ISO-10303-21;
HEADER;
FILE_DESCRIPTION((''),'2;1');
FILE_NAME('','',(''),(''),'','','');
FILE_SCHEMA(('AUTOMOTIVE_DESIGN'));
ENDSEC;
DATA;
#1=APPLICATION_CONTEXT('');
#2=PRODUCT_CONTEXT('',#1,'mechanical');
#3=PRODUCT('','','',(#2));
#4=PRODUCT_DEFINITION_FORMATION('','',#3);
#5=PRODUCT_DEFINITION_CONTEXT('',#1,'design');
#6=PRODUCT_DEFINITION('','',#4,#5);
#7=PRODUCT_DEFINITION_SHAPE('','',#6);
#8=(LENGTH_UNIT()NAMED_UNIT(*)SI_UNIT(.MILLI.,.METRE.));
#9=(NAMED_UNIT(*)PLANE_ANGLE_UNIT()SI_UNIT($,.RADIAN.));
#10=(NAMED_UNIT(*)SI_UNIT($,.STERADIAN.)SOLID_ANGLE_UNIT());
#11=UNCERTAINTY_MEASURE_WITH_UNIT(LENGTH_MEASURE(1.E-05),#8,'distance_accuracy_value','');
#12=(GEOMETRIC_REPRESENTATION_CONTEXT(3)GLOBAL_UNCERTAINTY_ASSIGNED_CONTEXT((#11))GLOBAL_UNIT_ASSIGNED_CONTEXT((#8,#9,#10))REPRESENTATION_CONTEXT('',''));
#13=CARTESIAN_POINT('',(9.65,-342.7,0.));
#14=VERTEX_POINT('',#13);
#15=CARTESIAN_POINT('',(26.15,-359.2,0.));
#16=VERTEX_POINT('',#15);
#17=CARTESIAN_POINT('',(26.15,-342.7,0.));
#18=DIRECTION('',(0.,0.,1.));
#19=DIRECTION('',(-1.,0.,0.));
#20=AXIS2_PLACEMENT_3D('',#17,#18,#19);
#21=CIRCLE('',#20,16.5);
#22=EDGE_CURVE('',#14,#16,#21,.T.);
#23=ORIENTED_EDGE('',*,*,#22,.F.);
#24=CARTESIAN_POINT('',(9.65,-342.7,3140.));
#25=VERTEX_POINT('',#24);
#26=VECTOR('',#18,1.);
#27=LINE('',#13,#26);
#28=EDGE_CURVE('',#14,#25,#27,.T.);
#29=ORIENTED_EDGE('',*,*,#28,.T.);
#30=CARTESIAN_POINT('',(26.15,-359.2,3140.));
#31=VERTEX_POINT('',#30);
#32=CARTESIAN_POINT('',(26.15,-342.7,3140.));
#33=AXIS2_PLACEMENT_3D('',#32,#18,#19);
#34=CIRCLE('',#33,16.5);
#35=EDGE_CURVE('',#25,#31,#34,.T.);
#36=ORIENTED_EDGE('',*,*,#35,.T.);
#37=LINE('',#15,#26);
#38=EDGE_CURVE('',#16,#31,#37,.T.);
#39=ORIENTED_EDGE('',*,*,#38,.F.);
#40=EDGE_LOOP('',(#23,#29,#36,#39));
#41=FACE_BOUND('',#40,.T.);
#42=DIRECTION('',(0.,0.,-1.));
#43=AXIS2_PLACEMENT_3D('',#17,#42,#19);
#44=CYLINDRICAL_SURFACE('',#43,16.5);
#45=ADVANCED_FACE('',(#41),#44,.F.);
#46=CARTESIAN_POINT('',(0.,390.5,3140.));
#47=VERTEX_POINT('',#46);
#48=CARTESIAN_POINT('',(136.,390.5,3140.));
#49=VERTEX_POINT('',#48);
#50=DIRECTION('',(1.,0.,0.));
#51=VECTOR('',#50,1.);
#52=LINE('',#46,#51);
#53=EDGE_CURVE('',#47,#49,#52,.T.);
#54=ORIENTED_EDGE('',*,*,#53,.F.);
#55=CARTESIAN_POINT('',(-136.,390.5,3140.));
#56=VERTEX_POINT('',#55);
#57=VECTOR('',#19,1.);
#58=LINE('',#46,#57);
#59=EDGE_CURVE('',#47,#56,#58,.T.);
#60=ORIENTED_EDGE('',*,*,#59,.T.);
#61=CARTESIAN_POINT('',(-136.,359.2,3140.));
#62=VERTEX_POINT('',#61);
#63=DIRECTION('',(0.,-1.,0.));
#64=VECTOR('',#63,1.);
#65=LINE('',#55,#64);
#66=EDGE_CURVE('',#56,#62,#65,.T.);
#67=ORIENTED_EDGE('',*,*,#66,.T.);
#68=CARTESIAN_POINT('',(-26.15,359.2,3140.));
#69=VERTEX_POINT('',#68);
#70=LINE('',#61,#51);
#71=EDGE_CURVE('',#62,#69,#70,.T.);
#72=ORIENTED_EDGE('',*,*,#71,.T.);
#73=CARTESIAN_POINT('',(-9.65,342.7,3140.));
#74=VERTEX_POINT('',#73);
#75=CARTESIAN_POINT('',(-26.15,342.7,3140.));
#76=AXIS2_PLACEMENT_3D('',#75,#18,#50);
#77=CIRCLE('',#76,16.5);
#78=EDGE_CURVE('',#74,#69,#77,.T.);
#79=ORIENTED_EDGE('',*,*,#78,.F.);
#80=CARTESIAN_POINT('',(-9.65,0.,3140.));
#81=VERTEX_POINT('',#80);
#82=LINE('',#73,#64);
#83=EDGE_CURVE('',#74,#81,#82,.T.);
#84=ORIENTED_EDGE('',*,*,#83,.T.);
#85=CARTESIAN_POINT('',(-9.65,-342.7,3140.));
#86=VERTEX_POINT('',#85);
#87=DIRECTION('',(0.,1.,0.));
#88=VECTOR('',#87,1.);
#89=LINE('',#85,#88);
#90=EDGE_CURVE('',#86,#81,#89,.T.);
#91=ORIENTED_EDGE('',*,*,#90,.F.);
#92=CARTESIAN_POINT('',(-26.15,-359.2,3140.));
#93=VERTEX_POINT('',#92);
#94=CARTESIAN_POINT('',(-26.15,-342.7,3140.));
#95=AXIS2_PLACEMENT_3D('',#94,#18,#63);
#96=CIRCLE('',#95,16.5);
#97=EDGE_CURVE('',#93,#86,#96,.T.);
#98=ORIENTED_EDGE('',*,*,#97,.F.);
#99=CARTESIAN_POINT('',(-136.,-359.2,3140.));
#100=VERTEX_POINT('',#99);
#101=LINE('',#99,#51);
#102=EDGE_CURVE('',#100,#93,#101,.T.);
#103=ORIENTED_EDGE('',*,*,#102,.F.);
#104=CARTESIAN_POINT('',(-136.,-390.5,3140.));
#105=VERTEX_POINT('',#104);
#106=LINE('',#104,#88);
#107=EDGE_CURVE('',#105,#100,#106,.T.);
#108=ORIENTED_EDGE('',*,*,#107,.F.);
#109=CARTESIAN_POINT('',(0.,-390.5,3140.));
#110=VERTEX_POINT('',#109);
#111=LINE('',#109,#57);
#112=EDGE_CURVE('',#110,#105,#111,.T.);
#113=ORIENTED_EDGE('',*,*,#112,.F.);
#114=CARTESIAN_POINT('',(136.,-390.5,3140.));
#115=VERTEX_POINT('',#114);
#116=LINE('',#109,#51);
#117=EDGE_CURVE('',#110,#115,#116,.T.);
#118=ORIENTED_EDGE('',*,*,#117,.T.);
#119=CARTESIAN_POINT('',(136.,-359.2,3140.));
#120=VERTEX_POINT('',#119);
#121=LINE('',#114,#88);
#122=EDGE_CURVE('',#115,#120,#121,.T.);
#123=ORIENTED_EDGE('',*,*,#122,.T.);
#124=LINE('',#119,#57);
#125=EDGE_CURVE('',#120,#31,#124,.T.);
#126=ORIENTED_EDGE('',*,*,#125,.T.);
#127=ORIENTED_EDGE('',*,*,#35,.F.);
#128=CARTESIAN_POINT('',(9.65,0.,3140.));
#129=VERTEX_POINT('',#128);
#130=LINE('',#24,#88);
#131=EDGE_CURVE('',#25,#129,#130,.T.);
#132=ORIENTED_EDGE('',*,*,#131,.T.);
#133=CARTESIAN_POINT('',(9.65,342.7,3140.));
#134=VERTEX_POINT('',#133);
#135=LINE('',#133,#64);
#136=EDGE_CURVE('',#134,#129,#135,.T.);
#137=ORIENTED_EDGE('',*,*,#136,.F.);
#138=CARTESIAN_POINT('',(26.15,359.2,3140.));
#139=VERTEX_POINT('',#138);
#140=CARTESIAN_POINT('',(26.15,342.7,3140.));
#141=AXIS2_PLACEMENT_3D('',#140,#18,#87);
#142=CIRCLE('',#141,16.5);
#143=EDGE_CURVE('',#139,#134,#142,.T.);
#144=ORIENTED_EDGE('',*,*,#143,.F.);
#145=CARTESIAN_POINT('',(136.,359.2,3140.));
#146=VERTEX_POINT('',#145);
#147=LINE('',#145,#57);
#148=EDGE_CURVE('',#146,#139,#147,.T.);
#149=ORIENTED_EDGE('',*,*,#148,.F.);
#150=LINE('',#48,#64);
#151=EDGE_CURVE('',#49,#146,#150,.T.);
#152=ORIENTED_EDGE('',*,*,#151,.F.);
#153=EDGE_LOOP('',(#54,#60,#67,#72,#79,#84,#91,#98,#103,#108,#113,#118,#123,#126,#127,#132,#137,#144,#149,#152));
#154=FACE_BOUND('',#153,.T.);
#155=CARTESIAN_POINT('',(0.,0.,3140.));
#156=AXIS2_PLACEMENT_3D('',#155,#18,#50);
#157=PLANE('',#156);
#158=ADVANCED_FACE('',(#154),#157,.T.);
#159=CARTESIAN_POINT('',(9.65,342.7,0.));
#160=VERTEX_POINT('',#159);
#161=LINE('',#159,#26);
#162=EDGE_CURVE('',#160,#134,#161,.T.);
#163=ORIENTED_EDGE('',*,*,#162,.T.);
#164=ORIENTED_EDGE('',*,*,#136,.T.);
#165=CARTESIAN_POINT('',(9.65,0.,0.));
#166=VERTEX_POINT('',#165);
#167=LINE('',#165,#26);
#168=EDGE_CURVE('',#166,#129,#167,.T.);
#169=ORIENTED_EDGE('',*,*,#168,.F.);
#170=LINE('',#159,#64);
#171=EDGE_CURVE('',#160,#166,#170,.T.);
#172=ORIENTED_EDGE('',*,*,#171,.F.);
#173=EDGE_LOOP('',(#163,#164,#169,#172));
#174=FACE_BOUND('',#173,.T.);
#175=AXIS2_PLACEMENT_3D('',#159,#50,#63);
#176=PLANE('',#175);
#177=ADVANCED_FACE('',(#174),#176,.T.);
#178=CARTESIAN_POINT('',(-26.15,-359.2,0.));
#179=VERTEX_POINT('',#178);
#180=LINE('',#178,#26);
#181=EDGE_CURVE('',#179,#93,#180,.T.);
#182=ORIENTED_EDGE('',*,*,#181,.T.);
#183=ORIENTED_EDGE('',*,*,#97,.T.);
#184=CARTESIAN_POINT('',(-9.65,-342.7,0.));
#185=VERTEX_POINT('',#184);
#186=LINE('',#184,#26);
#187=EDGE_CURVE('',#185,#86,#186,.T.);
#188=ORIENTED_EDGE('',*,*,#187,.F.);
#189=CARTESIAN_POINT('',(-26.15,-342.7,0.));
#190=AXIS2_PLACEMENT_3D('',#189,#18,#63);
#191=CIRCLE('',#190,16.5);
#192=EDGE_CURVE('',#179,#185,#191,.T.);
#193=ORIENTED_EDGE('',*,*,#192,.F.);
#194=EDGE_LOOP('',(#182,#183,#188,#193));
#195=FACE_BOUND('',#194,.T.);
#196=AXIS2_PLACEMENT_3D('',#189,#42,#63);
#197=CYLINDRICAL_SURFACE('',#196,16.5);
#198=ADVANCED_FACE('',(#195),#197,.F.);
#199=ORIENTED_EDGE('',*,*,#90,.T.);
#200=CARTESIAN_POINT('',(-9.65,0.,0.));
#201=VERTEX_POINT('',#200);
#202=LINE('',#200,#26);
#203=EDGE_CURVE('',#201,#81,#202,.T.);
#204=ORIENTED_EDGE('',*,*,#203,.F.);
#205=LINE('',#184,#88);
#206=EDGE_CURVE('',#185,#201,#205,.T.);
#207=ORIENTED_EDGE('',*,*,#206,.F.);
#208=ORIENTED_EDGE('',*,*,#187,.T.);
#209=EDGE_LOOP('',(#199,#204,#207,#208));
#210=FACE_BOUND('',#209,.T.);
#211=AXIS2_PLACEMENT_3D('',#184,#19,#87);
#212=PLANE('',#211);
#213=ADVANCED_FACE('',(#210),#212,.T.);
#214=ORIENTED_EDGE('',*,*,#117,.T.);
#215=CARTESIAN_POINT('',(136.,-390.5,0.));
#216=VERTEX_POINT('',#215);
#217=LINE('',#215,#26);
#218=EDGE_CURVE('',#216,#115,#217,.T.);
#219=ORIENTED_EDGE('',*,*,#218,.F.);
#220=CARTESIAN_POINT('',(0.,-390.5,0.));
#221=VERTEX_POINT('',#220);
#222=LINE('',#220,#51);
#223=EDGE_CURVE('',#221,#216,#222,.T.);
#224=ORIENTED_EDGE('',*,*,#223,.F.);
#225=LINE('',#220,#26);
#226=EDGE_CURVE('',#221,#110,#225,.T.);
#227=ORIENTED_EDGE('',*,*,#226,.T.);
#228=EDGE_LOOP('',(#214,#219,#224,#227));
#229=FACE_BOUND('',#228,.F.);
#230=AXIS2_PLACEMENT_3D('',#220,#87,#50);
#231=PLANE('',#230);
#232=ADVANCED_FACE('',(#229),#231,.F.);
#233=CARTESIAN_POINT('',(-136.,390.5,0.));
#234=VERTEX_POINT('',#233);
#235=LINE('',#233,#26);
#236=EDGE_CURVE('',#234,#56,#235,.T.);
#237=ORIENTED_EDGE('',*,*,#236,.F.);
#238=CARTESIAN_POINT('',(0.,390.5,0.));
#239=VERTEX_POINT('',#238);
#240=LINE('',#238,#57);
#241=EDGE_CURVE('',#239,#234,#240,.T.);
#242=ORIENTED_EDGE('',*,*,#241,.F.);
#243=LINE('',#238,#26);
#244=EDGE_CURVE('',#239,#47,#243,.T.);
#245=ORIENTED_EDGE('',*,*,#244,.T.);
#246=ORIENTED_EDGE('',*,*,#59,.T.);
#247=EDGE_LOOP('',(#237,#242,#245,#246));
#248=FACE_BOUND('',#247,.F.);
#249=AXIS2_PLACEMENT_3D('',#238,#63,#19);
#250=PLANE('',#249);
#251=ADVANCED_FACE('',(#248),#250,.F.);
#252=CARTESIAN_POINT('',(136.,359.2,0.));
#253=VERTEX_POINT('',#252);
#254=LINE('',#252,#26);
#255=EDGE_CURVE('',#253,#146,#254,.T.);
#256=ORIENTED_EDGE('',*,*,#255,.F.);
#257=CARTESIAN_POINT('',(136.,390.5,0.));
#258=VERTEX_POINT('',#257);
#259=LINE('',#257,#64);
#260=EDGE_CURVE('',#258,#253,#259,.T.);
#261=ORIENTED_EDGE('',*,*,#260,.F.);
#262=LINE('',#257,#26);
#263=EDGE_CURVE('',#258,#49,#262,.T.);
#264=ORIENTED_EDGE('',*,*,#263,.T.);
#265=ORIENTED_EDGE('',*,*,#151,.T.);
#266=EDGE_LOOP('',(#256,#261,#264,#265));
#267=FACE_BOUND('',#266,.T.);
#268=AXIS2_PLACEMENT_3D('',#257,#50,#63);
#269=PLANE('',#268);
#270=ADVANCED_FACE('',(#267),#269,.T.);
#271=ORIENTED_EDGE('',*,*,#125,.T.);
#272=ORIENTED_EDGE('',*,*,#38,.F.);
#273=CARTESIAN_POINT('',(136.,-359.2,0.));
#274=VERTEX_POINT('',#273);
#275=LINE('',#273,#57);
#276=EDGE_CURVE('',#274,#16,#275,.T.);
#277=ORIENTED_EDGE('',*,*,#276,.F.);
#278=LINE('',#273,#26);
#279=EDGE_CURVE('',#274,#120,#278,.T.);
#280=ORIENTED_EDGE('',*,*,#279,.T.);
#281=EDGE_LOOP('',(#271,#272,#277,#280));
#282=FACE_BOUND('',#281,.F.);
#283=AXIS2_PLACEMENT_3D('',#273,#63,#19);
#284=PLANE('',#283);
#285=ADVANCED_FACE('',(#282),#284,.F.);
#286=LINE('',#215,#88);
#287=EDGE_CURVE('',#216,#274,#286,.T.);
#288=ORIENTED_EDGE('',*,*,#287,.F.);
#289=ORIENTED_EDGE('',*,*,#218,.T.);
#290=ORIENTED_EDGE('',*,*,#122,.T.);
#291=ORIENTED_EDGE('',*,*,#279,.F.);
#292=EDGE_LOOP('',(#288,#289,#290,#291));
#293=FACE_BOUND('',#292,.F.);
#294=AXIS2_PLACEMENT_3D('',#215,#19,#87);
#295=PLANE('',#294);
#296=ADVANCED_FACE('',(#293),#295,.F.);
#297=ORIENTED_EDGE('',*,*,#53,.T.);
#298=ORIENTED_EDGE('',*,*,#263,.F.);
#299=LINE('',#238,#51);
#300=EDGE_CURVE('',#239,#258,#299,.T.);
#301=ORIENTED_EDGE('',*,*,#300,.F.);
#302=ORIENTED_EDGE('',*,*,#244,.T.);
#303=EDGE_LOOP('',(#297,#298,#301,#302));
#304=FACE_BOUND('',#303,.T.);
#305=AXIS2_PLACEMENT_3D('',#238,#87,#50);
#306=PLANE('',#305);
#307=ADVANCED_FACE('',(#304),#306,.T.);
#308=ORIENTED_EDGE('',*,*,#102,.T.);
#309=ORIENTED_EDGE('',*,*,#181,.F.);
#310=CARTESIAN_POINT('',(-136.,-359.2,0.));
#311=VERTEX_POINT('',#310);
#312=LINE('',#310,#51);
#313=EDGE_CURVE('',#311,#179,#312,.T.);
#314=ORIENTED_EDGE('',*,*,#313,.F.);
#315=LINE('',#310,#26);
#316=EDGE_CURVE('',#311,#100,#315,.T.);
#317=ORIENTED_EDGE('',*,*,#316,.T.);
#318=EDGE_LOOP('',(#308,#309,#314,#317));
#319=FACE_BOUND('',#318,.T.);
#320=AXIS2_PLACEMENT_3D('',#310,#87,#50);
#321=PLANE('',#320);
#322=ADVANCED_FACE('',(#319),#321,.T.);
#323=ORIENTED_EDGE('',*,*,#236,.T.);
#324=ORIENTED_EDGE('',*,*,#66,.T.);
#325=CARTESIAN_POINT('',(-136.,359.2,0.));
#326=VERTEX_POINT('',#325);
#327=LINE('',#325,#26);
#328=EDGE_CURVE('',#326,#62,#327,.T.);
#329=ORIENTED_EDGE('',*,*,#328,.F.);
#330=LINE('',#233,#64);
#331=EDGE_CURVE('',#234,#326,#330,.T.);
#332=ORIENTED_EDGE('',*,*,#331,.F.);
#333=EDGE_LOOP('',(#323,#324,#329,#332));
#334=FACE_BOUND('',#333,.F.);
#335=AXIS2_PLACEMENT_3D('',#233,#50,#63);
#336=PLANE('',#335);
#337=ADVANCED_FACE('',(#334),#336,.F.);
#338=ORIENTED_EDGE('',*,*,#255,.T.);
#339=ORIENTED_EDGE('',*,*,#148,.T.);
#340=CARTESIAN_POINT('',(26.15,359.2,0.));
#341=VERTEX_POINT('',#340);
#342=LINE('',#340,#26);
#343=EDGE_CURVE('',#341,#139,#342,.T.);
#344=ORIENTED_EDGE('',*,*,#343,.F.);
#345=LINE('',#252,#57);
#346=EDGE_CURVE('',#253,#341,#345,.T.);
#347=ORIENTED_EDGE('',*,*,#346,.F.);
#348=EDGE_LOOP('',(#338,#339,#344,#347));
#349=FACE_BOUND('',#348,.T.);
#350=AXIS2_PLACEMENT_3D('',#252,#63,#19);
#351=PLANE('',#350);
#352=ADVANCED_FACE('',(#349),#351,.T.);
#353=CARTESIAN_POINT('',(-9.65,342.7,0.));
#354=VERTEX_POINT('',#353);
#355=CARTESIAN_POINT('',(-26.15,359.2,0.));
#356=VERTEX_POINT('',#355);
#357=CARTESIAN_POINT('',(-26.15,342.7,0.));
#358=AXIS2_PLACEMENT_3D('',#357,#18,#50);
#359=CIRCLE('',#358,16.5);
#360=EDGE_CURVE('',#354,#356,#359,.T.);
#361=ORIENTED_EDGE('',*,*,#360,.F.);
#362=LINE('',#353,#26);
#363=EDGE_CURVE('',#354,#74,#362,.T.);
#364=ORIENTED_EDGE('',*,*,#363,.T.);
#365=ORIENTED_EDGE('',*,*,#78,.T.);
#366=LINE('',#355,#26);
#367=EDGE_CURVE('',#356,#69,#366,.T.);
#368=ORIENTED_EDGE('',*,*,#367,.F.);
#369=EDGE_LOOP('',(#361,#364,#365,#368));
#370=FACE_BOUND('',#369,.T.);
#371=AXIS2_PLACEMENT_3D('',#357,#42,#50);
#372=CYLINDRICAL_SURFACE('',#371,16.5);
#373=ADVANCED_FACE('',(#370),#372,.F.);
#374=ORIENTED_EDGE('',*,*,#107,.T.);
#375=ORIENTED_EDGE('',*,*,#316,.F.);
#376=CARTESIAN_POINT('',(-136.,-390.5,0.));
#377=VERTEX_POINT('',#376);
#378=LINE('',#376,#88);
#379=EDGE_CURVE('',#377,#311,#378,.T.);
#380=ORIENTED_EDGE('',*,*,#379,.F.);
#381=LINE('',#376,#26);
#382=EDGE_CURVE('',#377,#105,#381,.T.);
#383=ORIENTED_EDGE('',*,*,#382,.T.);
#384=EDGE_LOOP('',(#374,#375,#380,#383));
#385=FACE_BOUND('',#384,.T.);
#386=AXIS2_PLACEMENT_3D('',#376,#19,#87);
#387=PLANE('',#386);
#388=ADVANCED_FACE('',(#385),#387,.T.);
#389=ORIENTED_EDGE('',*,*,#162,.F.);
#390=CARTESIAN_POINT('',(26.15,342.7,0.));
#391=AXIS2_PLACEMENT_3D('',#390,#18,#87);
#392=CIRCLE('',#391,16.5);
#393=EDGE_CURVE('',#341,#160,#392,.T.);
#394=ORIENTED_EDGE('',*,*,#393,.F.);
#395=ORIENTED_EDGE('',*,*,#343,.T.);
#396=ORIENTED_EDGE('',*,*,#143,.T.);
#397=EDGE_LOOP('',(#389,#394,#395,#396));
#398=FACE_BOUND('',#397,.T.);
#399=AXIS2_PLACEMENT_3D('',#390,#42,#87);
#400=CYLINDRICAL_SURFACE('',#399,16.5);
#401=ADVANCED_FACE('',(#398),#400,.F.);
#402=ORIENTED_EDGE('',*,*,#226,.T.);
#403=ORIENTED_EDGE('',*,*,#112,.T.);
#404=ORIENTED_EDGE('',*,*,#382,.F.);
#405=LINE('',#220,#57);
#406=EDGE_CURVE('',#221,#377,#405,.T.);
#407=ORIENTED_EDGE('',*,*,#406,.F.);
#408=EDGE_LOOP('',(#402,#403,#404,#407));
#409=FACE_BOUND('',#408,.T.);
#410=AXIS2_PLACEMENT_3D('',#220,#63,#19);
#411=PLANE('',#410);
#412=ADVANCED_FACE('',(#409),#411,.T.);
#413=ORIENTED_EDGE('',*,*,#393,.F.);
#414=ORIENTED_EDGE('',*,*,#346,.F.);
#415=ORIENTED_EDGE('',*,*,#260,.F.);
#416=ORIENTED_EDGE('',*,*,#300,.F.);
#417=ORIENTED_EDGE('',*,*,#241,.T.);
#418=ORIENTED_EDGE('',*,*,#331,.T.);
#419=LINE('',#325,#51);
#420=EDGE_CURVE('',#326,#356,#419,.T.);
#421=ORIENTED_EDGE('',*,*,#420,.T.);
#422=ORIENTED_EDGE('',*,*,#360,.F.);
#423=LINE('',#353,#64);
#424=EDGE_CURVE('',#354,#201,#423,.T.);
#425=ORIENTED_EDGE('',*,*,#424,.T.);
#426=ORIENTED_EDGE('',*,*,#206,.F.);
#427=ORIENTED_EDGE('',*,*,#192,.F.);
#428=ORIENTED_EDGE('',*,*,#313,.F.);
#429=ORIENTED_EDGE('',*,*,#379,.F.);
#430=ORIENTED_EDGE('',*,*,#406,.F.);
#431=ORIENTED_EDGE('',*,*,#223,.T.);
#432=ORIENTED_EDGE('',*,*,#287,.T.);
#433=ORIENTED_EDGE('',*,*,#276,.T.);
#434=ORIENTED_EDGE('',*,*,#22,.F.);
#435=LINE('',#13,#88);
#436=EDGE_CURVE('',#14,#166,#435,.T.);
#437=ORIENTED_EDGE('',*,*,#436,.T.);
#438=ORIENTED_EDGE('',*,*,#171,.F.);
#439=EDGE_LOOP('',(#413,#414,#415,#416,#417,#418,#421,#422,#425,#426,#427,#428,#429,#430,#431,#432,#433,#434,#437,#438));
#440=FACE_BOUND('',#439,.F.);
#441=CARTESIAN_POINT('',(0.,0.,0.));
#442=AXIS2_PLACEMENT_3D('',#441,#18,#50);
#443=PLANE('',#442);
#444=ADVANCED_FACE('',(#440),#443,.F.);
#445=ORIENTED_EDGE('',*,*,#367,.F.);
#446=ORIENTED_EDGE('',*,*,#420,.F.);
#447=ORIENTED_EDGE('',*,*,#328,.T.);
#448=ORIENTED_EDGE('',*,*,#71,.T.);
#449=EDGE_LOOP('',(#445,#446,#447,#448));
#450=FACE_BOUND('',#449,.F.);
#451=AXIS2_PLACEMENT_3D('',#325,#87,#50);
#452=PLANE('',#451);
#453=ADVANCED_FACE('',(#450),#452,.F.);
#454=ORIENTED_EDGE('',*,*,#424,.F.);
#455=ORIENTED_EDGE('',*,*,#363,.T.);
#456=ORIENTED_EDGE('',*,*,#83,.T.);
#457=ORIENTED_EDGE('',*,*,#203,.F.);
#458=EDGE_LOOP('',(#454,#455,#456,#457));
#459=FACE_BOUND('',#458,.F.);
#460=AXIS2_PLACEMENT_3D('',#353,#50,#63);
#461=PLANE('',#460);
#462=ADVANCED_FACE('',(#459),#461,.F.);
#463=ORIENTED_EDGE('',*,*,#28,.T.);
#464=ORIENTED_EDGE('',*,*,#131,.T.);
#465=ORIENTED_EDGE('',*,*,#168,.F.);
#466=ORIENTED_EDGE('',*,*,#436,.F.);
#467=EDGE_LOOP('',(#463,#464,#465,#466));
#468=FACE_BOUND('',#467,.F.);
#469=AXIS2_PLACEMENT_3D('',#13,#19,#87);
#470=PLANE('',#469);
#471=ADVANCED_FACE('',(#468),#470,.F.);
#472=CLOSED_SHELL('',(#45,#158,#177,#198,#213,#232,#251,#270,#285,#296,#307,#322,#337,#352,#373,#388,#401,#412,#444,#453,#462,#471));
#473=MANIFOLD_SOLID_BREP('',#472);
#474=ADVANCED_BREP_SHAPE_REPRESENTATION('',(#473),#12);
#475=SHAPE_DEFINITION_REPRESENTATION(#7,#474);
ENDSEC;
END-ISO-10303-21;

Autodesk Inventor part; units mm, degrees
ref_plane "YZ Plane" through (0, 0, 0) normal (1, 0, 0) x (0, 1, 0)
ref_plane "Start plane" through (0, 0, 0) normal (0, 0, 1) x (1, 0, 0)
ref_plane "End plane" through (0, 0, 3140) normal (0, 0, 1) x (1, 0, 0)
sketch "Sketch" plane through (0, 0, 0) normal (0, 0, 1) x (1, 0, 0)
  line L0 (-136, -390.5) -> (-136, -359.2)
  line L1 (-136, -359.2) -> (-26.15, -359.2)
  line L2 (-9.65, -342.7) -> (-9.65, 0)
  line L3 (-9.65, 0) -> (0, 0) construction
  line L4 (0, 0) -> (0, -390.5) construction
  line L5 (0, -390.5) -> (-136, -390.5)
  line L6 (-60, 0) -> (80, 0) construction
  line L7 (0, -60) -> (0, 80) construction
  line L8 (136, -390.5) -> (136, -359.2)
  line L9 (136, -359.2) -> (26.15, -359.2)
  line L10 (9.65, -342.7) -> (9.65, 0)
  line L11 (9.65, 0) -> (0, 0) construction
  line L12 (0, -390.5) -> (136, -390.5)
  line L13 (-136, 390.5) -> (-136, 359.2)
  line L14 (-136, 359.2) -> (-26.15, 359.2)
  line L15 (-9.65, 342.7) -> (-9.65, 0)
  line L16 (0, 390.5) -> (-136, 390.5)
  line L17 (136, 390.5) -> (136, 359.2)
  line L18 (136, 359.2) -> (26.15, 359.2)
  line L19 (0, 390.5) -> (136, 390.5)
  line L20 (9.65, 342.7) -> (9.65, 0)
  arc A0 (-9.65, 342.7) -> (-26.15, 359.2) centre (-26.15, 342.7) ccw
  arc A1 (26.15, 359.2) -> (9.65, 342.7) centre (26.15, 342.7) ccw
  arc A2 (9.65, -342.7) -> (26.15, -359.2) centre (26.15, -342.7) ccw
  arc A3 (-26.15, -359.2) -> (-9.65, -342.7) centre (-26.15, -342.7) ccw
  line L21 (0, 108) -> (0, -88) construction
  line L22 (-88, 0) -> (108, 0) construction
  point P0 (-9.65, -359.2)
  point P1 (9.65, -359.2)
  point P2 (-9.65, 359.2)
  point P3 (9.65, 359.2)
  dimension "d1" = 390.5
  dimension "d2" = 31.3
  dimension "d3" = 136
  dimension "d4" = 9.65
  dimension "d10" = 16.5
extrude "Body" add sketch "Sketch" along normal up to surface (3140 mm away) from surface at 0
sketch "Sketch4" plane through (0, 0, 0) normal (0, 0, 1) x (1, 0, 0)
  line L0 (0, 0) -> (10, 0)
ref_plane "Work Plane3" through (0, 0, 0) normal (0, -1, 0) x (1, 0, 0)
sketch "Sketch5" plane through (0, 0, 0) normal (0, -1, 0) x (1, 0, 0)
  line L0 (-2, 0) -> (12, 0) projected
  line L1 (-2, 3140) -> (12, 3140) projected
  dimension "d14" = 3140
equation "\"d1\" = 0.5 * G_H"
equation "\"d2\" = G_T1"
equation "\"d3\" = 0.5 * G_W"
equation "\"d4\" = 0.5 * G_T"
equation "\"d10\" = G_IR"
equation "\"d5\" = G_L"
equation "\"G_W\" = 272"
equation "\"G_H\" = 781"
equation "\"G_T\" = 19.3"
equation "\"G_T1\" = 31.3"
equation "\"G_IR\" = 16.5"
equation "\"G_L\" = d14"
equation "\"G_OFFSET_START\" = 0"
equation "\"G_OFFSET_END\" = 0"
properties part number "AS 3679-1990 - 760 UB - 244 - 3140" material "Steel, Mild"
